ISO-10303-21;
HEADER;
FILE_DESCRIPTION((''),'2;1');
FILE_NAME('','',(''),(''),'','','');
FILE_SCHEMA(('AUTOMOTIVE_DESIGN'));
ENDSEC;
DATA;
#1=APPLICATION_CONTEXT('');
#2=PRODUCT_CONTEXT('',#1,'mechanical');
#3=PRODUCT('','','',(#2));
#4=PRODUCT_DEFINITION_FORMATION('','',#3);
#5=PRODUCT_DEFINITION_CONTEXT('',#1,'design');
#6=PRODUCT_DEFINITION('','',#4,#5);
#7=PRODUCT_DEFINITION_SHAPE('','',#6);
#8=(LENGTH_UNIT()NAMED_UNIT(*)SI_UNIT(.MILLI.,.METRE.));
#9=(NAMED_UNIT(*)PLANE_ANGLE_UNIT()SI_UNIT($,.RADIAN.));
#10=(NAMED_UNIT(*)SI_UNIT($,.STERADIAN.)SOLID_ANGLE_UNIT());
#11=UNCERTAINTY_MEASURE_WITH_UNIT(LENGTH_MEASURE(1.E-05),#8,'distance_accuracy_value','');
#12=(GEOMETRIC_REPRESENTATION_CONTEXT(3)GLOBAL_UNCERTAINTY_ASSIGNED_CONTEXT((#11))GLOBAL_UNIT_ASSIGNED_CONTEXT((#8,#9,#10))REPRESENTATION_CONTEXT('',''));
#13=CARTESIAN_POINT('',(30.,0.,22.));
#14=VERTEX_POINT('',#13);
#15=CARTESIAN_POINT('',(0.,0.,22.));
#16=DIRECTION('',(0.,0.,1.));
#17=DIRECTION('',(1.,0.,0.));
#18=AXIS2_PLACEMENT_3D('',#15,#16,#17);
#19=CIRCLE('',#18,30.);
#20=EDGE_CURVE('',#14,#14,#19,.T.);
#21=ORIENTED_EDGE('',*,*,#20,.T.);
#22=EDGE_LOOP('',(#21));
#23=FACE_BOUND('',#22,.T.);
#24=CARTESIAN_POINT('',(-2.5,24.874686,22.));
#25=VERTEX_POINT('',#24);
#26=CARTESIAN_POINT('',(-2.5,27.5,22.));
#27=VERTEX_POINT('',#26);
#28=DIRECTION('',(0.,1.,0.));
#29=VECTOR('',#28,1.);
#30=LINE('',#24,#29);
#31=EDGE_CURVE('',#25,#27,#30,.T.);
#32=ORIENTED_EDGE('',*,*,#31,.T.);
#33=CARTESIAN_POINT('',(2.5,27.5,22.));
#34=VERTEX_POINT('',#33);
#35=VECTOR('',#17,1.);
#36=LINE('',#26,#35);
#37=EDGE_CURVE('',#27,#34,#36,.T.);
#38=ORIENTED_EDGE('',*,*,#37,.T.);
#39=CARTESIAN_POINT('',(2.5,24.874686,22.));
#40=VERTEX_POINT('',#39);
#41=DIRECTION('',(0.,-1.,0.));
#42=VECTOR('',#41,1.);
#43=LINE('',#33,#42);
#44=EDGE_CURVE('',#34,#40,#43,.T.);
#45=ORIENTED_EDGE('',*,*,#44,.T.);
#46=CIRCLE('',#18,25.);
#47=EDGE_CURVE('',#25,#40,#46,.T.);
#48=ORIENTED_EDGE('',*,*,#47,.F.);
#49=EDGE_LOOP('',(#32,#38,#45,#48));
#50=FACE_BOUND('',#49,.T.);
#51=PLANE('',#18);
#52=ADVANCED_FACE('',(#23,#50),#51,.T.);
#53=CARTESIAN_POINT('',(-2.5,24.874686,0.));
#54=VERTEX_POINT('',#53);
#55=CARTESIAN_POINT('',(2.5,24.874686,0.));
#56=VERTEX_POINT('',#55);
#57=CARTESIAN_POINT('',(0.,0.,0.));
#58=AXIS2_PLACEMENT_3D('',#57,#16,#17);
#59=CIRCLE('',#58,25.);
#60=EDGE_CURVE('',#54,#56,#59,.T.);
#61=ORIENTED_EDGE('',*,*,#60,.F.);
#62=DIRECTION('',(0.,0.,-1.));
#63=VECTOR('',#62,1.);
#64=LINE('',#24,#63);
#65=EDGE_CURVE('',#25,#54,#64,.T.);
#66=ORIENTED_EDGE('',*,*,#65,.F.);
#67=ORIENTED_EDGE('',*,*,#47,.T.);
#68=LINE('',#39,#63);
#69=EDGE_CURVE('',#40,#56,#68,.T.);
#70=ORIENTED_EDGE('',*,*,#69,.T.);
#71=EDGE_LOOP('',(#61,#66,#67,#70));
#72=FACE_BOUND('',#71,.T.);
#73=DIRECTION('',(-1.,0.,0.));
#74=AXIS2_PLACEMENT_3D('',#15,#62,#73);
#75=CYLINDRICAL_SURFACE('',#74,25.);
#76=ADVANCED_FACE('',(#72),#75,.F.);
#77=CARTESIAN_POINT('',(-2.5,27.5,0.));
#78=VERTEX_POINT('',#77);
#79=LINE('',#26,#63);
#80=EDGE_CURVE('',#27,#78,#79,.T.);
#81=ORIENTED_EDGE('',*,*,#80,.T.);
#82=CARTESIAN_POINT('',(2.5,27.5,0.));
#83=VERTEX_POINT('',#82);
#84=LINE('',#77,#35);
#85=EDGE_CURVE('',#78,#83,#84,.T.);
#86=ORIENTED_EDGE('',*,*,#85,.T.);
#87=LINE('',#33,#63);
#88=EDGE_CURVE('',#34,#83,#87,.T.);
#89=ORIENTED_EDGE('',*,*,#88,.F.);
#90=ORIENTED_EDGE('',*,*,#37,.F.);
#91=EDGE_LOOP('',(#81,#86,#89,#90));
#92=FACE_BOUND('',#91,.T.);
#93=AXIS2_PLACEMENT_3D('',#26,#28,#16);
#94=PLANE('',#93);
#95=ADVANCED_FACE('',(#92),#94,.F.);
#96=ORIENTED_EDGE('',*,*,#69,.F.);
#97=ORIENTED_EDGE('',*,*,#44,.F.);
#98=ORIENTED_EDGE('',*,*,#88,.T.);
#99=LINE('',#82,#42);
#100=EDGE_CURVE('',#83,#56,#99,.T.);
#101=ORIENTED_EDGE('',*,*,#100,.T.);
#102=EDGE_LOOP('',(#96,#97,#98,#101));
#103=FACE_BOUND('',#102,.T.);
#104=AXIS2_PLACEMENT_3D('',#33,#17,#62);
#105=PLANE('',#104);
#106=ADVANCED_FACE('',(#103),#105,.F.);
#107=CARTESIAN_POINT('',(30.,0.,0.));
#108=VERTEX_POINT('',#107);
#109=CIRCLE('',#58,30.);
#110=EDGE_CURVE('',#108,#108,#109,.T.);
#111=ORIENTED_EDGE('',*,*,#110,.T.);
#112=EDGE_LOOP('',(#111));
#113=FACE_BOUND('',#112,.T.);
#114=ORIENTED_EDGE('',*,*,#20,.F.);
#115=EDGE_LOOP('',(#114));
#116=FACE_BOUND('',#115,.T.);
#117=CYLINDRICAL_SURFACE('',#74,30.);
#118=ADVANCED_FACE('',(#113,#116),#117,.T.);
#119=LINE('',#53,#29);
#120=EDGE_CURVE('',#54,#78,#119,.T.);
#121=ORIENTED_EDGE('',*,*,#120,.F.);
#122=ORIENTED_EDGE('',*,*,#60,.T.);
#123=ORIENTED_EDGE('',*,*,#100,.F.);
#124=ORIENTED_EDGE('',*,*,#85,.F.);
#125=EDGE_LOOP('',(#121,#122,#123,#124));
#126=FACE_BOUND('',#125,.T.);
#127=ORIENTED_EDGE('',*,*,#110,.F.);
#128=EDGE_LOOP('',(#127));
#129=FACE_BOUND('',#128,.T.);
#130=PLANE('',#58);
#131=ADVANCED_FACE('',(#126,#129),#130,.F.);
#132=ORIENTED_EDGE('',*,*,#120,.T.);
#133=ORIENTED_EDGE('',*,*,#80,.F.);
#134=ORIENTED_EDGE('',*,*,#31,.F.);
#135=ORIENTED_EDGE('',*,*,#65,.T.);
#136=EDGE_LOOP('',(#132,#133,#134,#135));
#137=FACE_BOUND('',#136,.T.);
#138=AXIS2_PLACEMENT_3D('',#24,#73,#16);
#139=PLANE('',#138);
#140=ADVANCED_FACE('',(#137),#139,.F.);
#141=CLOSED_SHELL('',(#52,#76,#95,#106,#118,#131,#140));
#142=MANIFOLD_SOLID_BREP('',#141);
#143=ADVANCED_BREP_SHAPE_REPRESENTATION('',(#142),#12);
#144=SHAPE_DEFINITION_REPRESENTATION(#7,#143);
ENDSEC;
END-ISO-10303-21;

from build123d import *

# Parameters (mm, degrees)
SKETCH1_R           = 30
BOSS_EXTRUDE1_DEPTH = 22


with BuildPart() as part:
    # Sketch1 → Boss-Extrude1 (new body)
    with BuildSketch(Plane.XY):
        Circle(SKETCH1_R)
        with BuildLine():
            Line((-2.5, 24.874685928), (-2.5, 27.5))
            Line((-2.5, 27.5), (2.5, 27.5))
            Line((2.5, 27.5), (2.5, 24.874685928))
            ThreePointArc((2.5, 24.874685928), (0, -25), (-2.5, 24.874685928))
        make_face(mode=Mode.SUBTRACT)
    extrude(amount=BOSS_EXTRUDE1_DEPTH)


solid = part.part
